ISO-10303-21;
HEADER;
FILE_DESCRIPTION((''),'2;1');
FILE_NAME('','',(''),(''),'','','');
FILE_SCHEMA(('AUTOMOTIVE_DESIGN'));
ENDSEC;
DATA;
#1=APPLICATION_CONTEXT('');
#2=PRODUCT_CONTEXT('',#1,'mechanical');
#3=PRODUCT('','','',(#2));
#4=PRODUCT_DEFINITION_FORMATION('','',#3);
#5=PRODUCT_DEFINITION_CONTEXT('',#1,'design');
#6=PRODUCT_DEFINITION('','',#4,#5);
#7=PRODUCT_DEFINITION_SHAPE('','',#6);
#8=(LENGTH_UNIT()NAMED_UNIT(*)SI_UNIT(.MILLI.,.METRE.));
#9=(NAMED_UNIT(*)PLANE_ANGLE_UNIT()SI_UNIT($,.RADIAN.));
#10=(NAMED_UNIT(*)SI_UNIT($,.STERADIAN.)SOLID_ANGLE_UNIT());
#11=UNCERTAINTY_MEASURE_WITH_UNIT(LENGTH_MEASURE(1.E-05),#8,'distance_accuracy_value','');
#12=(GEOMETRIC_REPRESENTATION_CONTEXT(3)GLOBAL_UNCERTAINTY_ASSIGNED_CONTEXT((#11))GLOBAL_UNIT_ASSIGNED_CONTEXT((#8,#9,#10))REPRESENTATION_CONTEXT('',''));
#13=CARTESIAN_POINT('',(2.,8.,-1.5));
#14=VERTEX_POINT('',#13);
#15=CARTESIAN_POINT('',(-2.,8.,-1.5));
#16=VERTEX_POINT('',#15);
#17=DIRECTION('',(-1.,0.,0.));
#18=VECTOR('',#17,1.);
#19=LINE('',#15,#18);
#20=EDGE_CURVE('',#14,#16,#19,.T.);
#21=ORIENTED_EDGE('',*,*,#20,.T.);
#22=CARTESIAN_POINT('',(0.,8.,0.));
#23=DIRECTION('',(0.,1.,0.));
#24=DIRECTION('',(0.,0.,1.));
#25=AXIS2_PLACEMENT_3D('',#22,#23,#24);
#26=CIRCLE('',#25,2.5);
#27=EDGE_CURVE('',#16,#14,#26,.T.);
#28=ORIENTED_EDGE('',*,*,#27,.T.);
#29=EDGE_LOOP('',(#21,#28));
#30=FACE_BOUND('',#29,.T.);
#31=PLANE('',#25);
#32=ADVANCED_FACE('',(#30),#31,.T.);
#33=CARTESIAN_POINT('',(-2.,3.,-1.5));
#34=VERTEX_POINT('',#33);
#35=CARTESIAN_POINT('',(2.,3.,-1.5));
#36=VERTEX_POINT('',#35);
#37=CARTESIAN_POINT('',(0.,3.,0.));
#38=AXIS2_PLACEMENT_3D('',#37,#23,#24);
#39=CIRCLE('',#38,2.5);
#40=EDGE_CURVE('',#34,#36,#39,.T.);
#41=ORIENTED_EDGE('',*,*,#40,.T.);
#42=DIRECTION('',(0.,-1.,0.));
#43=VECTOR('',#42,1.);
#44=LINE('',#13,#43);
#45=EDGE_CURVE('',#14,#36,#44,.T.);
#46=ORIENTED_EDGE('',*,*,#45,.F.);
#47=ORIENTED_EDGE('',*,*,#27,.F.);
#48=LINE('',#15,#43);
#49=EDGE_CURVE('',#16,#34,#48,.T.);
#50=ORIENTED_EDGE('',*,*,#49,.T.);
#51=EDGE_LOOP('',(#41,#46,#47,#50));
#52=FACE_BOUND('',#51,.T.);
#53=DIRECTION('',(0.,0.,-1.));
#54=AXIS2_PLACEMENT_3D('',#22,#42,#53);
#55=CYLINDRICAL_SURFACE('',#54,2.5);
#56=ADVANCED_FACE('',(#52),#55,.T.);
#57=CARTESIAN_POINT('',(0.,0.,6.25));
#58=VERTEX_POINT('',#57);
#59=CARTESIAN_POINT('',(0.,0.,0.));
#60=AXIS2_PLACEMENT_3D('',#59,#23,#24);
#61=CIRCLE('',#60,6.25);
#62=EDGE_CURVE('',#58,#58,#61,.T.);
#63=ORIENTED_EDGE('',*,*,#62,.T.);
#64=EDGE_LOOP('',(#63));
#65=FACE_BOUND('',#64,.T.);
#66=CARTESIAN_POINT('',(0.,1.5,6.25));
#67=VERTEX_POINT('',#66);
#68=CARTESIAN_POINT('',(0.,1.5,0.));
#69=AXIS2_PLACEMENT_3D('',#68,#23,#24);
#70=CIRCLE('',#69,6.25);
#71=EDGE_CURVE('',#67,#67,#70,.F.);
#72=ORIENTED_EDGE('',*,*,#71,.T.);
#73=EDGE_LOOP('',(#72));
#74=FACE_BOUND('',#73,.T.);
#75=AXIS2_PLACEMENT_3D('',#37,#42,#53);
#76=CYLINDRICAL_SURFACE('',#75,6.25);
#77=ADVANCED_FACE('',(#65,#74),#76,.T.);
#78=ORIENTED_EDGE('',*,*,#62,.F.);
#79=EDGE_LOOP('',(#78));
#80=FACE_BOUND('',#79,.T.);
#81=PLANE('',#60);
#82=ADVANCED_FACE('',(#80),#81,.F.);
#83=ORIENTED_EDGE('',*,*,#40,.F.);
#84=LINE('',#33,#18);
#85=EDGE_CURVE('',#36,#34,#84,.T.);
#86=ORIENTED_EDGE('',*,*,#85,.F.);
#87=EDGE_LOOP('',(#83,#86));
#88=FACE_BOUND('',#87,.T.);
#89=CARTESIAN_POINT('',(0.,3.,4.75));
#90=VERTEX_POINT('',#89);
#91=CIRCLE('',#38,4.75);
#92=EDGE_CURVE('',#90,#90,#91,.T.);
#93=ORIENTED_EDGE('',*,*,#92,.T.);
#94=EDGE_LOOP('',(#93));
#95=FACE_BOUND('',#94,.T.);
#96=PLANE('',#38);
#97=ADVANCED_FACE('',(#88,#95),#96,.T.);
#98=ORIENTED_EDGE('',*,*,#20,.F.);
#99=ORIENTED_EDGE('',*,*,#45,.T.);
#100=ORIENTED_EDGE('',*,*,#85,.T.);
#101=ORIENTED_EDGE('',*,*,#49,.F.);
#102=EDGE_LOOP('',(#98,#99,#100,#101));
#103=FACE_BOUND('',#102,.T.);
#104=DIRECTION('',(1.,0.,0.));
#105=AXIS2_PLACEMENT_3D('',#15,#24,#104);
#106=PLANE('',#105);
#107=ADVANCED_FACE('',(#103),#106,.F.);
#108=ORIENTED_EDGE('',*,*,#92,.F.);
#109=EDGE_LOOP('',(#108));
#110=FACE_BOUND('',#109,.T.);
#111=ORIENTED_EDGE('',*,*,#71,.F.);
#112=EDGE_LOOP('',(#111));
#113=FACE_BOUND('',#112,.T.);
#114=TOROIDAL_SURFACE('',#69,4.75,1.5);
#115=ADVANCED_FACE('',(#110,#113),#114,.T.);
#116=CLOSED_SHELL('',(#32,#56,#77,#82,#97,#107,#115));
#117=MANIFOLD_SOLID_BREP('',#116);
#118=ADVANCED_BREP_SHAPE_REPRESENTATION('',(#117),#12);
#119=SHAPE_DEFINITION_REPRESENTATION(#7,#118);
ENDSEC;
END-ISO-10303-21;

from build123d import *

# Parameters (mm, degrees)
SKETCH1_R           = 6.25
BOSS_EXTRUDE1_DEPTH = 3
BOSS_EXTRUDE2_DEPTH = 5
FILLET1_R           = 1.5


with BuildPart() as part:
    # Sketch1 → Boss-Extrude1 (new body)
    with BuildSketch(Plane(origin=(0, 0, 0), x_dir=(1, 0, 0), z_dir=(0, 1, 0))):
        with Locations(Location((0, 0, 0), (0, 0, 270))):
            Circle(SKETCH1_R)
    extrude(amount=BOSS_EXTRUDE1_DEPTH)

    # Sketch2 → Boss-Extrude2 (add)
    with BuildSketch(Plane(origin=(0, 3, 0), x_dir=(1, 0, 0), z_dir=(0, 1, 0))):
        with BuildLine():
            Line((-2, 1.5), (2, 1.5))
            ThreePointArc((2, 1.5), (0, -2.5), (-2, 1.5))
        make_face()
    extrude(amount=BOSS_EXTRUDE2_DEPTH)

    # Fillet1
    fillet1_edges = [part.edges().sort_by_distance(p)[0] for p in [
        (0, 3, -6.25),
    ]]
    fillet(fillet1_edges, radius=FILLET1_R)


solid = part.part
